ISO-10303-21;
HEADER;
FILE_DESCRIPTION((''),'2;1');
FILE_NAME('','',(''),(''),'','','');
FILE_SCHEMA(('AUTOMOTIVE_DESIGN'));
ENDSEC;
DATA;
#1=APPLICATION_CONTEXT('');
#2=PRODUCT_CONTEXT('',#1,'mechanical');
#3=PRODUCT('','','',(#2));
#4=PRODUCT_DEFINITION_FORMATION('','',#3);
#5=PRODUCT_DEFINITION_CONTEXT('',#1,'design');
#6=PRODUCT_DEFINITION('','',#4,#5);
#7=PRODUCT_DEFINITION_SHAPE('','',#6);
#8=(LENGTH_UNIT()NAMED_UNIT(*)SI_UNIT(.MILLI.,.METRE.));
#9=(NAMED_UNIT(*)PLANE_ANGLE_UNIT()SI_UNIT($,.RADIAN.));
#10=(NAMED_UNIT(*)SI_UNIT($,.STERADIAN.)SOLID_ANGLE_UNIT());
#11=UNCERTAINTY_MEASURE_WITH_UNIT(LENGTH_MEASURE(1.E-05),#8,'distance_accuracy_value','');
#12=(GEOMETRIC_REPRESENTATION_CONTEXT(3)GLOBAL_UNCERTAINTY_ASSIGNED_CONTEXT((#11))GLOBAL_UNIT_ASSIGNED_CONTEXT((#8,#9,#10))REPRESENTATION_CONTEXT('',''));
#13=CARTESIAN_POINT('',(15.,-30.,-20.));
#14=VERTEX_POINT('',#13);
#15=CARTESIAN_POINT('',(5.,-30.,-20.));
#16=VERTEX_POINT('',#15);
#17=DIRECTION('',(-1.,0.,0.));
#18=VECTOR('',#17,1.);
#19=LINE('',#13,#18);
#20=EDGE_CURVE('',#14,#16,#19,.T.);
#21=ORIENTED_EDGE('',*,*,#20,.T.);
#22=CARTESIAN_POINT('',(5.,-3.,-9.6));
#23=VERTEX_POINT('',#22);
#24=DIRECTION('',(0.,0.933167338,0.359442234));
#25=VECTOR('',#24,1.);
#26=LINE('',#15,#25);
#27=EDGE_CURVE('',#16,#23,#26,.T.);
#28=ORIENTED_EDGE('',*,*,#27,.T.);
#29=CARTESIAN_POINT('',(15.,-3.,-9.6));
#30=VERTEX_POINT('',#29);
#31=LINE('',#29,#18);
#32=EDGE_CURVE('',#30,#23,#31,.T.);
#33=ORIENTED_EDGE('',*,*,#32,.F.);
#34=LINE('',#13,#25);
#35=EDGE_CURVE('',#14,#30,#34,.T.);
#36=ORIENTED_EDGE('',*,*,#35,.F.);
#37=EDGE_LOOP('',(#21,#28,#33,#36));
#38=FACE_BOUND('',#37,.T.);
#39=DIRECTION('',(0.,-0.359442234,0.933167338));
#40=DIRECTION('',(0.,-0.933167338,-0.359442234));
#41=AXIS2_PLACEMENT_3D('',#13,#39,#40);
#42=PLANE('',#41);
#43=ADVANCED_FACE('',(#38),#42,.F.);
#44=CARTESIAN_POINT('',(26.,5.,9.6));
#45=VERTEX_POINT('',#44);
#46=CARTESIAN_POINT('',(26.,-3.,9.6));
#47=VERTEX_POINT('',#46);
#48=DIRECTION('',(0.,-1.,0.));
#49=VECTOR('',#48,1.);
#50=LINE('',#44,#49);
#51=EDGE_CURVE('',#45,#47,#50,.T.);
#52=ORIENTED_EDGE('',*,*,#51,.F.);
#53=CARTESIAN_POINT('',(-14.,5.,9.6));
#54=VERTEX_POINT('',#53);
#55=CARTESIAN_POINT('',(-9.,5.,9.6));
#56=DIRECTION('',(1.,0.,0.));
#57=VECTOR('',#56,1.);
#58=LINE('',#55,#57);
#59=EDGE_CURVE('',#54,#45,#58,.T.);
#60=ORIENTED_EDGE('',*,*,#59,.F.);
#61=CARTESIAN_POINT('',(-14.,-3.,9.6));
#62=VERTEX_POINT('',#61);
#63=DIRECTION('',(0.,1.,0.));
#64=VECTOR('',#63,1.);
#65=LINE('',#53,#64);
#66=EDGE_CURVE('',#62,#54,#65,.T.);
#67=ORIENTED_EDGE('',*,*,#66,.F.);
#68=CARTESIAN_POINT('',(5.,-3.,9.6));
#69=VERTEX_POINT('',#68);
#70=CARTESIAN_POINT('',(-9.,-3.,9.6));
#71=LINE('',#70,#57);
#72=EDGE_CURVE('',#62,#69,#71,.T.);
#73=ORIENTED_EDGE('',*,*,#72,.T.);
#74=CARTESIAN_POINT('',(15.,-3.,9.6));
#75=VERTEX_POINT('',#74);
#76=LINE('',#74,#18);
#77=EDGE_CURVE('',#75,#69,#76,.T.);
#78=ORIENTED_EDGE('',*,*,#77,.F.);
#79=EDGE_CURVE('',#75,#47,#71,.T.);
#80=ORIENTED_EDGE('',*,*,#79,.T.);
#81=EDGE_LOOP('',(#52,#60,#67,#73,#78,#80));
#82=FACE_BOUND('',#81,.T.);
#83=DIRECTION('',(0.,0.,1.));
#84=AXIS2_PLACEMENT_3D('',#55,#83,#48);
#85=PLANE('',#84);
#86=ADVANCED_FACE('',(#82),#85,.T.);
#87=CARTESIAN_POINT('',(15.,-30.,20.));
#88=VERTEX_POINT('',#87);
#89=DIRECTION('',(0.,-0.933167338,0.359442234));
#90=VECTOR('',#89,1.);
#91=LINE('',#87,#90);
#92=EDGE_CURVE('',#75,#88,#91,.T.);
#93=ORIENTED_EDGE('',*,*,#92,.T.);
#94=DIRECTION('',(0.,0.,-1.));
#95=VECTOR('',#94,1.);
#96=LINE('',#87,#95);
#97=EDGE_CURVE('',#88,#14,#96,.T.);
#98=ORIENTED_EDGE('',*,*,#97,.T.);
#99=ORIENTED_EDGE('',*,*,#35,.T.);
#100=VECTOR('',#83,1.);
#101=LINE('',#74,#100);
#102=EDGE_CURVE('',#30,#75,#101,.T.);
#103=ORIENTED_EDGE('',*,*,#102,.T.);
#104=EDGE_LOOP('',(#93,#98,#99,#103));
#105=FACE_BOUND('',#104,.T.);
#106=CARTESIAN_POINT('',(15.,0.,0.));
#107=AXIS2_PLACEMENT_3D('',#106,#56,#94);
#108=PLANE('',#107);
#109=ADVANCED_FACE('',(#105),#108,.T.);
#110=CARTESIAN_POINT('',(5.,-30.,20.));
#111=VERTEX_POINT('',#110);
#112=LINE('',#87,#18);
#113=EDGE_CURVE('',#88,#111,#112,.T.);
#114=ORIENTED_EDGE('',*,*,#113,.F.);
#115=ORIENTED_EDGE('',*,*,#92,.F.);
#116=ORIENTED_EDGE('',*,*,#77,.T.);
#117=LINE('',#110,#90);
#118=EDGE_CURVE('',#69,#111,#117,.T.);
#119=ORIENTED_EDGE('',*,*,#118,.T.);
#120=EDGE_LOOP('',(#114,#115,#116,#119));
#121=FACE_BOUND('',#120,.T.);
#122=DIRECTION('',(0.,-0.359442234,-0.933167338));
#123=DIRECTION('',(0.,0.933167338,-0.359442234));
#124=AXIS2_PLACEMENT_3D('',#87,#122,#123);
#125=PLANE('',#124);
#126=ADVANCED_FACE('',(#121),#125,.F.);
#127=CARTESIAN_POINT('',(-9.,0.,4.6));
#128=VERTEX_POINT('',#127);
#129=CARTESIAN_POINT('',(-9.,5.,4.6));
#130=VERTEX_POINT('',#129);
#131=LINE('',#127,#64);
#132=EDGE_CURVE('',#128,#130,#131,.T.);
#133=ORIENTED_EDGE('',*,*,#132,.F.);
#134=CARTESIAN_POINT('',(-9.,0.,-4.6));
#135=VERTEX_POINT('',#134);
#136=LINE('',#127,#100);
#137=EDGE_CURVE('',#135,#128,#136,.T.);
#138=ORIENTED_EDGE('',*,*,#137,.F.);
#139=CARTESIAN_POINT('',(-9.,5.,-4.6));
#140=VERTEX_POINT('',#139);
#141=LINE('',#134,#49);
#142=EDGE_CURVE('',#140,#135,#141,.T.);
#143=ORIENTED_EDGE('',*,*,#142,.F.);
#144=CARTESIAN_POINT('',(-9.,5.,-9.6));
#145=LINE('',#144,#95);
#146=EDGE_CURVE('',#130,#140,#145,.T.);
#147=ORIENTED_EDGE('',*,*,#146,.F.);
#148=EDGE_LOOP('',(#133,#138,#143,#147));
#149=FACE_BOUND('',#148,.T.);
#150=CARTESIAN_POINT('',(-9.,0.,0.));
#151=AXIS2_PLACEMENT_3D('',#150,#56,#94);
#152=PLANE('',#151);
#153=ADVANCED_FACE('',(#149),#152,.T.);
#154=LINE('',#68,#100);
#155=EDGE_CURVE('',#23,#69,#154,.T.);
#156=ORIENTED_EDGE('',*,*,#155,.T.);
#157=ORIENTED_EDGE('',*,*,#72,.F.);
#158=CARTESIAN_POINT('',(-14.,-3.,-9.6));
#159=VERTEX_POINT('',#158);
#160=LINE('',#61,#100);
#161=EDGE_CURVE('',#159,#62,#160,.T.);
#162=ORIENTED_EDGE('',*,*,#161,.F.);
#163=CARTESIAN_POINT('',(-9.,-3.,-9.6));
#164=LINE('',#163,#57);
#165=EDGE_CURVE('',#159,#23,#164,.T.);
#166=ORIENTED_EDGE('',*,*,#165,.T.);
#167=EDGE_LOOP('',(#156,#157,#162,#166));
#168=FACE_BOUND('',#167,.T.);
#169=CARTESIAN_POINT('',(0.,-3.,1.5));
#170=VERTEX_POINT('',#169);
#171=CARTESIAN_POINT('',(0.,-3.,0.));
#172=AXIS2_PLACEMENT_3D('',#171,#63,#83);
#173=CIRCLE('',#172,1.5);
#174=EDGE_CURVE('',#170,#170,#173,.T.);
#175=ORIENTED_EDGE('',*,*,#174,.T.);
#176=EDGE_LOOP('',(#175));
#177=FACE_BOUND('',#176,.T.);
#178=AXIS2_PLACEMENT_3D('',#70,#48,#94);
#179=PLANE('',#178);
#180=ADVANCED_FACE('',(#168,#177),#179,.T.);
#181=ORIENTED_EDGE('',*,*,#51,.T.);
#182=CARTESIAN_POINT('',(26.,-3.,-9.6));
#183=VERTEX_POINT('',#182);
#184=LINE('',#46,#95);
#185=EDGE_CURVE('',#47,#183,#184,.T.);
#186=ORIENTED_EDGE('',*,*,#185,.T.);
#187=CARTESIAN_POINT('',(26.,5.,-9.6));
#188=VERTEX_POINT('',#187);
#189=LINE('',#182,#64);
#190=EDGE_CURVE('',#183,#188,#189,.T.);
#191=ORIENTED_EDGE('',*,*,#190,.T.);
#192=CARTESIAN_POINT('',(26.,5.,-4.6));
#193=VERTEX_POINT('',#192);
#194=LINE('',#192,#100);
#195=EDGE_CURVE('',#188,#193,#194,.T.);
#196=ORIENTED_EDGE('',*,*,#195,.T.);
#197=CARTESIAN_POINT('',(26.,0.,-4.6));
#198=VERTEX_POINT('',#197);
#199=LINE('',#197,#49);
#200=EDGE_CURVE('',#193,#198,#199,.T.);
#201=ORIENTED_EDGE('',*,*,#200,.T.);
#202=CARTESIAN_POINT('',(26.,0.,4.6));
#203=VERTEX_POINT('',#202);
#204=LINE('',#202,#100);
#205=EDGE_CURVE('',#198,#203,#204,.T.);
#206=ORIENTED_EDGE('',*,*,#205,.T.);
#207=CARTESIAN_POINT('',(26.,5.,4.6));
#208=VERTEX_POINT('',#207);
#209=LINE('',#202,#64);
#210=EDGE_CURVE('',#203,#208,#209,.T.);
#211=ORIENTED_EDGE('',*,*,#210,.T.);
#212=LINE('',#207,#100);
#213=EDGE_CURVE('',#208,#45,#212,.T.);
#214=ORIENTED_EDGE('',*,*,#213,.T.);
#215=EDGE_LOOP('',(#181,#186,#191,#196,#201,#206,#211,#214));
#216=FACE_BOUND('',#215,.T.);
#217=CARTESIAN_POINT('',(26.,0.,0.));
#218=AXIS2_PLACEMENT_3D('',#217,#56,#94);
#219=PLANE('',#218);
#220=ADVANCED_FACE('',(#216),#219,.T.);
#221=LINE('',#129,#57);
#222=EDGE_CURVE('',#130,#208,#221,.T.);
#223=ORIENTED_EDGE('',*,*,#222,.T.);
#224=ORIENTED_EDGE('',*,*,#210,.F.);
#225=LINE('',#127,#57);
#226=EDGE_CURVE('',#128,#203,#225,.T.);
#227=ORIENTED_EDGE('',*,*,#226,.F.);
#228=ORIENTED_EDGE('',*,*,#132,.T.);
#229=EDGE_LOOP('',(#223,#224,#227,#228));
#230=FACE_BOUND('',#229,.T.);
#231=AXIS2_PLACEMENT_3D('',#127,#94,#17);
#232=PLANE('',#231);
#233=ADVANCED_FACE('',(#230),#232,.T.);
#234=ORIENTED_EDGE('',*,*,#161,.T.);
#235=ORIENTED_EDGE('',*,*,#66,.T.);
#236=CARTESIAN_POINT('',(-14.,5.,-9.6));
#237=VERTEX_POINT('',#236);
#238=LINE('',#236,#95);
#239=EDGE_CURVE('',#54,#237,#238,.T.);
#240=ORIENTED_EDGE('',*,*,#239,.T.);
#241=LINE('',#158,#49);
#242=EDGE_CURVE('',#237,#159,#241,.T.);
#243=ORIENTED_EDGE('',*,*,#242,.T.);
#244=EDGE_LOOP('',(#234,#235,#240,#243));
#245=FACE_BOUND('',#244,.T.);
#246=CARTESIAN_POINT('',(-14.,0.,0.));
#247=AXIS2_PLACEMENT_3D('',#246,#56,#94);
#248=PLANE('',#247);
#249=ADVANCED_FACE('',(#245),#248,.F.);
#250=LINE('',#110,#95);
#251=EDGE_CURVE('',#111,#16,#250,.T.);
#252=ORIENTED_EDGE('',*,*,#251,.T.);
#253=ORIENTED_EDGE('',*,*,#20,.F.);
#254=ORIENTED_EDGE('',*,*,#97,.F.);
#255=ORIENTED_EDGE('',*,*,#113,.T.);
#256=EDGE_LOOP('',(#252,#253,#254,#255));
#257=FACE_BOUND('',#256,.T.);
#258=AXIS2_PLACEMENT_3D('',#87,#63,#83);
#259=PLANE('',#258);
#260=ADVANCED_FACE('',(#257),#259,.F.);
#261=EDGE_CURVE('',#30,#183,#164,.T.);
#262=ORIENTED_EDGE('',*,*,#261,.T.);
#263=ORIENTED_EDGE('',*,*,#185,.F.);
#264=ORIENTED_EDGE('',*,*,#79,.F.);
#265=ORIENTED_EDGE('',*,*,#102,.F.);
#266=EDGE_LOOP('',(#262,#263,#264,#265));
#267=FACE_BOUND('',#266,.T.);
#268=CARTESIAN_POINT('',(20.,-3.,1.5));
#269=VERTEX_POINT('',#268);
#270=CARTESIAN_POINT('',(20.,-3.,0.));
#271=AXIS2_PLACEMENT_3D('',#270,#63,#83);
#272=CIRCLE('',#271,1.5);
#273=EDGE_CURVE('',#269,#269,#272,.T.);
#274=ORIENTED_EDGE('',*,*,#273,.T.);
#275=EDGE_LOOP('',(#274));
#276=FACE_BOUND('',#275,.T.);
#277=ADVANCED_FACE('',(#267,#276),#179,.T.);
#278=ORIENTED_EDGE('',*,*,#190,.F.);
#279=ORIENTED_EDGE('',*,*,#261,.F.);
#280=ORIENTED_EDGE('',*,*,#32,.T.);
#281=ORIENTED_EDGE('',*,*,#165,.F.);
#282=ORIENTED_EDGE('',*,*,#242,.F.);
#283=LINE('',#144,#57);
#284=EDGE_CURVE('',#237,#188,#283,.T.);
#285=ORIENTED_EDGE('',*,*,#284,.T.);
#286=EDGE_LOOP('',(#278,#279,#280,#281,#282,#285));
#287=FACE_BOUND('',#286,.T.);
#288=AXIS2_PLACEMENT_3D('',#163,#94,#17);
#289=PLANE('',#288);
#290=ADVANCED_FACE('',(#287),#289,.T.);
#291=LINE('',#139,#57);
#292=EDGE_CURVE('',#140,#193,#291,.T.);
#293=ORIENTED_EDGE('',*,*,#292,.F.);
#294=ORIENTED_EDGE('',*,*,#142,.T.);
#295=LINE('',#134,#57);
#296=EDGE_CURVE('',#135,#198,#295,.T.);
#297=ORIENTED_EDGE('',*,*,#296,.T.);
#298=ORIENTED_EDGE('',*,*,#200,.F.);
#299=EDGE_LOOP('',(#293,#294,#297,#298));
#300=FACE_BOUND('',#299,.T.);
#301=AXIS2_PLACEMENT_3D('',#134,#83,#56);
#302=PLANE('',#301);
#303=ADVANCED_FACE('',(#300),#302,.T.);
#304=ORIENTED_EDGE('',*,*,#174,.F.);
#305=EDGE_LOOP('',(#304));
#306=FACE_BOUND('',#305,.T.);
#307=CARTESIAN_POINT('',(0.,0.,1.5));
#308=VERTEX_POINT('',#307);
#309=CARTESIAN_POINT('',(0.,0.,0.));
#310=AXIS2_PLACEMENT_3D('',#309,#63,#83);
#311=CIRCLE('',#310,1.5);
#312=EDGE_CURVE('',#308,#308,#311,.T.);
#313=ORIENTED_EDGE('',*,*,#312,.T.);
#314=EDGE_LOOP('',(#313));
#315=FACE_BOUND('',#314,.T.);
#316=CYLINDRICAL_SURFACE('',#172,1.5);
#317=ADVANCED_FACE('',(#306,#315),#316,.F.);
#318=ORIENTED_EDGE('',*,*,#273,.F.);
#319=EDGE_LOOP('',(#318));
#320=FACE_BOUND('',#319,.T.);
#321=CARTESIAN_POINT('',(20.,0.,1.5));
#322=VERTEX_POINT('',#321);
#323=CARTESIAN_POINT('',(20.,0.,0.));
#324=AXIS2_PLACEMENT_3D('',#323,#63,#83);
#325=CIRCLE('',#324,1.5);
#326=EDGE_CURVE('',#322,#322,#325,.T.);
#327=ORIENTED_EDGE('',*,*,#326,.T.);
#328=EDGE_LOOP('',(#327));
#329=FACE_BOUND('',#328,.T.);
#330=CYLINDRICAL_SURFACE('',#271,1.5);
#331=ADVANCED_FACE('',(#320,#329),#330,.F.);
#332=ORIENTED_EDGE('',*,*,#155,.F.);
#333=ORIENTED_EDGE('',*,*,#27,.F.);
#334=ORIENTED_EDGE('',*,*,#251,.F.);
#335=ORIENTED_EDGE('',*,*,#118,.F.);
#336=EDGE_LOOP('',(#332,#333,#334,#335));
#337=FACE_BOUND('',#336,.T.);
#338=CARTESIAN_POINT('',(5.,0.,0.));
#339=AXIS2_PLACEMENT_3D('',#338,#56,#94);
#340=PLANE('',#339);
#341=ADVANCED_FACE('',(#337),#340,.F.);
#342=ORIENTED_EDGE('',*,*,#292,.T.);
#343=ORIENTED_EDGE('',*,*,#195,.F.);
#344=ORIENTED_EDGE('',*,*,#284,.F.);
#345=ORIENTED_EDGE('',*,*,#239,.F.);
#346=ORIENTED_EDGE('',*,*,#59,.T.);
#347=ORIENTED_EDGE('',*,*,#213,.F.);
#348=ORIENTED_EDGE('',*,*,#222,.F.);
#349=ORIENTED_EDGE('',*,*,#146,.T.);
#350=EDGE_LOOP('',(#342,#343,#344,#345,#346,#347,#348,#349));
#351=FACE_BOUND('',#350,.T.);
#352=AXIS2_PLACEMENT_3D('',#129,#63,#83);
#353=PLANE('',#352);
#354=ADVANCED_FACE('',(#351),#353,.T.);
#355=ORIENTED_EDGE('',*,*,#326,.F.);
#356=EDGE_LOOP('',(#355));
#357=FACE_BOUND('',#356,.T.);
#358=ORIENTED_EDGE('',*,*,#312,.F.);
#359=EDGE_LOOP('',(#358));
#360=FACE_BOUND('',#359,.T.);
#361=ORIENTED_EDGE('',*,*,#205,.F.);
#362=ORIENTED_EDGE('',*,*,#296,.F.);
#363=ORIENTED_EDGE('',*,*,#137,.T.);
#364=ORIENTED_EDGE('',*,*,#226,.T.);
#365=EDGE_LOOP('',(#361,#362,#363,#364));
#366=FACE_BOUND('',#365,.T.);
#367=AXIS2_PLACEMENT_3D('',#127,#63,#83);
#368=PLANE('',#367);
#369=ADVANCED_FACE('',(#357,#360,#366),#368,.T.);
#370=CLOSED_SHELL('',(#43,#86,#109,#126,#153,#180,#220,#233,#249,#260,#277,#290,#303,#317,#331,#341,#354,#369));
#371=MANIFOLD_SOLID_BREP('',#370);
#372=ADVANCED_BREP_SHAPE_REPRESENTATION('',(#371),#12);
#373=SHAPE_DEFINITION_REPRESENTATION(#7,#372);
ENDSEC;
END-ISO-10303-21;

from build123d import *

# Parameters (mm, degrees)
BOSS_EXTRUDE1_DEPTH      = 26
BOSS_EXTRUDE1_DEPTH_BACK = 9
CUT_EXTRUDE1_DEPTH       = 29.163096421
CUT_EXTRUDE1_DEPTH_BACK  = 29.163096421
SKETCH4_R                = 1.5
BOSS_EXTRUDE2_DEPTH      = 5
SKETCH7_W                = 19.2
SKETCH7_H                = 8
BOSS_EXTRUDE3_DEPTH      = 5


with BuildPart() as part:
    # Sketch3 → Boss-Extrude1 (new, two sides: drawn at the far end of the back side and taken through both)
    with BuildSketch(Plane(origin=(0, 0, 0), x_dir=(0, 0, -1), z_dir=(1, 0, 0)).offset(-BOSS_EXTRUDE1_DEPTH_BACK)):
        Polygon((-4.6, 0), (-4.6, 5), (-9.6, 5), (-9.6, -3), (9.6, -3), (9.6, 5), (4.6, 5), (4.6, 0), align=None)
    extrude(amount=BOSS_EXTRUDE1_DEPTH + BOSS_EXTRUDE1_DEPTH_BACK)

    # Sketch4 → Cut-Extrude1 (cut, two sides: drawn at the far end of the back side and taken through both)
    with BuildSketch(Plane(origin=(0, 0, 0), x_dir=(1, 0, 0), z_dir=(0, 1, 0)).offset(-CUT_EXTRUDE1_DEPTH_BACK)):
        with Locations(Location((0, 0, 0), (0, 0, 270))):
            Circle(SKETCH4_R)
        with Locations(Location((20, 0, 0), (0, 0, 270))):
            Circle(SKETCH4_R)
    extrude(amount=CUT_EXTRUDE1_DEPTH + CUT_EXTRUDE1_DEPTH_BACK, mode=Mode.SUBTRACT)

    # Sketch6 → Boss-Extrude2 (add, symmetric)
    with BuildSketch(Plane(origin=(10, 0, 0), x_dir=(0, 0, -1), z_dir=(1, 0, 0))):
        Polygon((-20, -30), (-9.6, -3), (9.6, -3), (20, -30), align=None)
    extrude(amount=BOSS_EXTRUDE2_DEPTH, both=True)

    # Sketch7 → Boss-Extrude3 (add)
    with BuildSketch(Plane.ZY.offset(9)):
        with Locations((0, 1)):
            Rectangle(SKETCH7_W, SKETCH7_H)
    extrude(amount=BOSS_EXTRUDE3_DEPTH)


solid = part.part
